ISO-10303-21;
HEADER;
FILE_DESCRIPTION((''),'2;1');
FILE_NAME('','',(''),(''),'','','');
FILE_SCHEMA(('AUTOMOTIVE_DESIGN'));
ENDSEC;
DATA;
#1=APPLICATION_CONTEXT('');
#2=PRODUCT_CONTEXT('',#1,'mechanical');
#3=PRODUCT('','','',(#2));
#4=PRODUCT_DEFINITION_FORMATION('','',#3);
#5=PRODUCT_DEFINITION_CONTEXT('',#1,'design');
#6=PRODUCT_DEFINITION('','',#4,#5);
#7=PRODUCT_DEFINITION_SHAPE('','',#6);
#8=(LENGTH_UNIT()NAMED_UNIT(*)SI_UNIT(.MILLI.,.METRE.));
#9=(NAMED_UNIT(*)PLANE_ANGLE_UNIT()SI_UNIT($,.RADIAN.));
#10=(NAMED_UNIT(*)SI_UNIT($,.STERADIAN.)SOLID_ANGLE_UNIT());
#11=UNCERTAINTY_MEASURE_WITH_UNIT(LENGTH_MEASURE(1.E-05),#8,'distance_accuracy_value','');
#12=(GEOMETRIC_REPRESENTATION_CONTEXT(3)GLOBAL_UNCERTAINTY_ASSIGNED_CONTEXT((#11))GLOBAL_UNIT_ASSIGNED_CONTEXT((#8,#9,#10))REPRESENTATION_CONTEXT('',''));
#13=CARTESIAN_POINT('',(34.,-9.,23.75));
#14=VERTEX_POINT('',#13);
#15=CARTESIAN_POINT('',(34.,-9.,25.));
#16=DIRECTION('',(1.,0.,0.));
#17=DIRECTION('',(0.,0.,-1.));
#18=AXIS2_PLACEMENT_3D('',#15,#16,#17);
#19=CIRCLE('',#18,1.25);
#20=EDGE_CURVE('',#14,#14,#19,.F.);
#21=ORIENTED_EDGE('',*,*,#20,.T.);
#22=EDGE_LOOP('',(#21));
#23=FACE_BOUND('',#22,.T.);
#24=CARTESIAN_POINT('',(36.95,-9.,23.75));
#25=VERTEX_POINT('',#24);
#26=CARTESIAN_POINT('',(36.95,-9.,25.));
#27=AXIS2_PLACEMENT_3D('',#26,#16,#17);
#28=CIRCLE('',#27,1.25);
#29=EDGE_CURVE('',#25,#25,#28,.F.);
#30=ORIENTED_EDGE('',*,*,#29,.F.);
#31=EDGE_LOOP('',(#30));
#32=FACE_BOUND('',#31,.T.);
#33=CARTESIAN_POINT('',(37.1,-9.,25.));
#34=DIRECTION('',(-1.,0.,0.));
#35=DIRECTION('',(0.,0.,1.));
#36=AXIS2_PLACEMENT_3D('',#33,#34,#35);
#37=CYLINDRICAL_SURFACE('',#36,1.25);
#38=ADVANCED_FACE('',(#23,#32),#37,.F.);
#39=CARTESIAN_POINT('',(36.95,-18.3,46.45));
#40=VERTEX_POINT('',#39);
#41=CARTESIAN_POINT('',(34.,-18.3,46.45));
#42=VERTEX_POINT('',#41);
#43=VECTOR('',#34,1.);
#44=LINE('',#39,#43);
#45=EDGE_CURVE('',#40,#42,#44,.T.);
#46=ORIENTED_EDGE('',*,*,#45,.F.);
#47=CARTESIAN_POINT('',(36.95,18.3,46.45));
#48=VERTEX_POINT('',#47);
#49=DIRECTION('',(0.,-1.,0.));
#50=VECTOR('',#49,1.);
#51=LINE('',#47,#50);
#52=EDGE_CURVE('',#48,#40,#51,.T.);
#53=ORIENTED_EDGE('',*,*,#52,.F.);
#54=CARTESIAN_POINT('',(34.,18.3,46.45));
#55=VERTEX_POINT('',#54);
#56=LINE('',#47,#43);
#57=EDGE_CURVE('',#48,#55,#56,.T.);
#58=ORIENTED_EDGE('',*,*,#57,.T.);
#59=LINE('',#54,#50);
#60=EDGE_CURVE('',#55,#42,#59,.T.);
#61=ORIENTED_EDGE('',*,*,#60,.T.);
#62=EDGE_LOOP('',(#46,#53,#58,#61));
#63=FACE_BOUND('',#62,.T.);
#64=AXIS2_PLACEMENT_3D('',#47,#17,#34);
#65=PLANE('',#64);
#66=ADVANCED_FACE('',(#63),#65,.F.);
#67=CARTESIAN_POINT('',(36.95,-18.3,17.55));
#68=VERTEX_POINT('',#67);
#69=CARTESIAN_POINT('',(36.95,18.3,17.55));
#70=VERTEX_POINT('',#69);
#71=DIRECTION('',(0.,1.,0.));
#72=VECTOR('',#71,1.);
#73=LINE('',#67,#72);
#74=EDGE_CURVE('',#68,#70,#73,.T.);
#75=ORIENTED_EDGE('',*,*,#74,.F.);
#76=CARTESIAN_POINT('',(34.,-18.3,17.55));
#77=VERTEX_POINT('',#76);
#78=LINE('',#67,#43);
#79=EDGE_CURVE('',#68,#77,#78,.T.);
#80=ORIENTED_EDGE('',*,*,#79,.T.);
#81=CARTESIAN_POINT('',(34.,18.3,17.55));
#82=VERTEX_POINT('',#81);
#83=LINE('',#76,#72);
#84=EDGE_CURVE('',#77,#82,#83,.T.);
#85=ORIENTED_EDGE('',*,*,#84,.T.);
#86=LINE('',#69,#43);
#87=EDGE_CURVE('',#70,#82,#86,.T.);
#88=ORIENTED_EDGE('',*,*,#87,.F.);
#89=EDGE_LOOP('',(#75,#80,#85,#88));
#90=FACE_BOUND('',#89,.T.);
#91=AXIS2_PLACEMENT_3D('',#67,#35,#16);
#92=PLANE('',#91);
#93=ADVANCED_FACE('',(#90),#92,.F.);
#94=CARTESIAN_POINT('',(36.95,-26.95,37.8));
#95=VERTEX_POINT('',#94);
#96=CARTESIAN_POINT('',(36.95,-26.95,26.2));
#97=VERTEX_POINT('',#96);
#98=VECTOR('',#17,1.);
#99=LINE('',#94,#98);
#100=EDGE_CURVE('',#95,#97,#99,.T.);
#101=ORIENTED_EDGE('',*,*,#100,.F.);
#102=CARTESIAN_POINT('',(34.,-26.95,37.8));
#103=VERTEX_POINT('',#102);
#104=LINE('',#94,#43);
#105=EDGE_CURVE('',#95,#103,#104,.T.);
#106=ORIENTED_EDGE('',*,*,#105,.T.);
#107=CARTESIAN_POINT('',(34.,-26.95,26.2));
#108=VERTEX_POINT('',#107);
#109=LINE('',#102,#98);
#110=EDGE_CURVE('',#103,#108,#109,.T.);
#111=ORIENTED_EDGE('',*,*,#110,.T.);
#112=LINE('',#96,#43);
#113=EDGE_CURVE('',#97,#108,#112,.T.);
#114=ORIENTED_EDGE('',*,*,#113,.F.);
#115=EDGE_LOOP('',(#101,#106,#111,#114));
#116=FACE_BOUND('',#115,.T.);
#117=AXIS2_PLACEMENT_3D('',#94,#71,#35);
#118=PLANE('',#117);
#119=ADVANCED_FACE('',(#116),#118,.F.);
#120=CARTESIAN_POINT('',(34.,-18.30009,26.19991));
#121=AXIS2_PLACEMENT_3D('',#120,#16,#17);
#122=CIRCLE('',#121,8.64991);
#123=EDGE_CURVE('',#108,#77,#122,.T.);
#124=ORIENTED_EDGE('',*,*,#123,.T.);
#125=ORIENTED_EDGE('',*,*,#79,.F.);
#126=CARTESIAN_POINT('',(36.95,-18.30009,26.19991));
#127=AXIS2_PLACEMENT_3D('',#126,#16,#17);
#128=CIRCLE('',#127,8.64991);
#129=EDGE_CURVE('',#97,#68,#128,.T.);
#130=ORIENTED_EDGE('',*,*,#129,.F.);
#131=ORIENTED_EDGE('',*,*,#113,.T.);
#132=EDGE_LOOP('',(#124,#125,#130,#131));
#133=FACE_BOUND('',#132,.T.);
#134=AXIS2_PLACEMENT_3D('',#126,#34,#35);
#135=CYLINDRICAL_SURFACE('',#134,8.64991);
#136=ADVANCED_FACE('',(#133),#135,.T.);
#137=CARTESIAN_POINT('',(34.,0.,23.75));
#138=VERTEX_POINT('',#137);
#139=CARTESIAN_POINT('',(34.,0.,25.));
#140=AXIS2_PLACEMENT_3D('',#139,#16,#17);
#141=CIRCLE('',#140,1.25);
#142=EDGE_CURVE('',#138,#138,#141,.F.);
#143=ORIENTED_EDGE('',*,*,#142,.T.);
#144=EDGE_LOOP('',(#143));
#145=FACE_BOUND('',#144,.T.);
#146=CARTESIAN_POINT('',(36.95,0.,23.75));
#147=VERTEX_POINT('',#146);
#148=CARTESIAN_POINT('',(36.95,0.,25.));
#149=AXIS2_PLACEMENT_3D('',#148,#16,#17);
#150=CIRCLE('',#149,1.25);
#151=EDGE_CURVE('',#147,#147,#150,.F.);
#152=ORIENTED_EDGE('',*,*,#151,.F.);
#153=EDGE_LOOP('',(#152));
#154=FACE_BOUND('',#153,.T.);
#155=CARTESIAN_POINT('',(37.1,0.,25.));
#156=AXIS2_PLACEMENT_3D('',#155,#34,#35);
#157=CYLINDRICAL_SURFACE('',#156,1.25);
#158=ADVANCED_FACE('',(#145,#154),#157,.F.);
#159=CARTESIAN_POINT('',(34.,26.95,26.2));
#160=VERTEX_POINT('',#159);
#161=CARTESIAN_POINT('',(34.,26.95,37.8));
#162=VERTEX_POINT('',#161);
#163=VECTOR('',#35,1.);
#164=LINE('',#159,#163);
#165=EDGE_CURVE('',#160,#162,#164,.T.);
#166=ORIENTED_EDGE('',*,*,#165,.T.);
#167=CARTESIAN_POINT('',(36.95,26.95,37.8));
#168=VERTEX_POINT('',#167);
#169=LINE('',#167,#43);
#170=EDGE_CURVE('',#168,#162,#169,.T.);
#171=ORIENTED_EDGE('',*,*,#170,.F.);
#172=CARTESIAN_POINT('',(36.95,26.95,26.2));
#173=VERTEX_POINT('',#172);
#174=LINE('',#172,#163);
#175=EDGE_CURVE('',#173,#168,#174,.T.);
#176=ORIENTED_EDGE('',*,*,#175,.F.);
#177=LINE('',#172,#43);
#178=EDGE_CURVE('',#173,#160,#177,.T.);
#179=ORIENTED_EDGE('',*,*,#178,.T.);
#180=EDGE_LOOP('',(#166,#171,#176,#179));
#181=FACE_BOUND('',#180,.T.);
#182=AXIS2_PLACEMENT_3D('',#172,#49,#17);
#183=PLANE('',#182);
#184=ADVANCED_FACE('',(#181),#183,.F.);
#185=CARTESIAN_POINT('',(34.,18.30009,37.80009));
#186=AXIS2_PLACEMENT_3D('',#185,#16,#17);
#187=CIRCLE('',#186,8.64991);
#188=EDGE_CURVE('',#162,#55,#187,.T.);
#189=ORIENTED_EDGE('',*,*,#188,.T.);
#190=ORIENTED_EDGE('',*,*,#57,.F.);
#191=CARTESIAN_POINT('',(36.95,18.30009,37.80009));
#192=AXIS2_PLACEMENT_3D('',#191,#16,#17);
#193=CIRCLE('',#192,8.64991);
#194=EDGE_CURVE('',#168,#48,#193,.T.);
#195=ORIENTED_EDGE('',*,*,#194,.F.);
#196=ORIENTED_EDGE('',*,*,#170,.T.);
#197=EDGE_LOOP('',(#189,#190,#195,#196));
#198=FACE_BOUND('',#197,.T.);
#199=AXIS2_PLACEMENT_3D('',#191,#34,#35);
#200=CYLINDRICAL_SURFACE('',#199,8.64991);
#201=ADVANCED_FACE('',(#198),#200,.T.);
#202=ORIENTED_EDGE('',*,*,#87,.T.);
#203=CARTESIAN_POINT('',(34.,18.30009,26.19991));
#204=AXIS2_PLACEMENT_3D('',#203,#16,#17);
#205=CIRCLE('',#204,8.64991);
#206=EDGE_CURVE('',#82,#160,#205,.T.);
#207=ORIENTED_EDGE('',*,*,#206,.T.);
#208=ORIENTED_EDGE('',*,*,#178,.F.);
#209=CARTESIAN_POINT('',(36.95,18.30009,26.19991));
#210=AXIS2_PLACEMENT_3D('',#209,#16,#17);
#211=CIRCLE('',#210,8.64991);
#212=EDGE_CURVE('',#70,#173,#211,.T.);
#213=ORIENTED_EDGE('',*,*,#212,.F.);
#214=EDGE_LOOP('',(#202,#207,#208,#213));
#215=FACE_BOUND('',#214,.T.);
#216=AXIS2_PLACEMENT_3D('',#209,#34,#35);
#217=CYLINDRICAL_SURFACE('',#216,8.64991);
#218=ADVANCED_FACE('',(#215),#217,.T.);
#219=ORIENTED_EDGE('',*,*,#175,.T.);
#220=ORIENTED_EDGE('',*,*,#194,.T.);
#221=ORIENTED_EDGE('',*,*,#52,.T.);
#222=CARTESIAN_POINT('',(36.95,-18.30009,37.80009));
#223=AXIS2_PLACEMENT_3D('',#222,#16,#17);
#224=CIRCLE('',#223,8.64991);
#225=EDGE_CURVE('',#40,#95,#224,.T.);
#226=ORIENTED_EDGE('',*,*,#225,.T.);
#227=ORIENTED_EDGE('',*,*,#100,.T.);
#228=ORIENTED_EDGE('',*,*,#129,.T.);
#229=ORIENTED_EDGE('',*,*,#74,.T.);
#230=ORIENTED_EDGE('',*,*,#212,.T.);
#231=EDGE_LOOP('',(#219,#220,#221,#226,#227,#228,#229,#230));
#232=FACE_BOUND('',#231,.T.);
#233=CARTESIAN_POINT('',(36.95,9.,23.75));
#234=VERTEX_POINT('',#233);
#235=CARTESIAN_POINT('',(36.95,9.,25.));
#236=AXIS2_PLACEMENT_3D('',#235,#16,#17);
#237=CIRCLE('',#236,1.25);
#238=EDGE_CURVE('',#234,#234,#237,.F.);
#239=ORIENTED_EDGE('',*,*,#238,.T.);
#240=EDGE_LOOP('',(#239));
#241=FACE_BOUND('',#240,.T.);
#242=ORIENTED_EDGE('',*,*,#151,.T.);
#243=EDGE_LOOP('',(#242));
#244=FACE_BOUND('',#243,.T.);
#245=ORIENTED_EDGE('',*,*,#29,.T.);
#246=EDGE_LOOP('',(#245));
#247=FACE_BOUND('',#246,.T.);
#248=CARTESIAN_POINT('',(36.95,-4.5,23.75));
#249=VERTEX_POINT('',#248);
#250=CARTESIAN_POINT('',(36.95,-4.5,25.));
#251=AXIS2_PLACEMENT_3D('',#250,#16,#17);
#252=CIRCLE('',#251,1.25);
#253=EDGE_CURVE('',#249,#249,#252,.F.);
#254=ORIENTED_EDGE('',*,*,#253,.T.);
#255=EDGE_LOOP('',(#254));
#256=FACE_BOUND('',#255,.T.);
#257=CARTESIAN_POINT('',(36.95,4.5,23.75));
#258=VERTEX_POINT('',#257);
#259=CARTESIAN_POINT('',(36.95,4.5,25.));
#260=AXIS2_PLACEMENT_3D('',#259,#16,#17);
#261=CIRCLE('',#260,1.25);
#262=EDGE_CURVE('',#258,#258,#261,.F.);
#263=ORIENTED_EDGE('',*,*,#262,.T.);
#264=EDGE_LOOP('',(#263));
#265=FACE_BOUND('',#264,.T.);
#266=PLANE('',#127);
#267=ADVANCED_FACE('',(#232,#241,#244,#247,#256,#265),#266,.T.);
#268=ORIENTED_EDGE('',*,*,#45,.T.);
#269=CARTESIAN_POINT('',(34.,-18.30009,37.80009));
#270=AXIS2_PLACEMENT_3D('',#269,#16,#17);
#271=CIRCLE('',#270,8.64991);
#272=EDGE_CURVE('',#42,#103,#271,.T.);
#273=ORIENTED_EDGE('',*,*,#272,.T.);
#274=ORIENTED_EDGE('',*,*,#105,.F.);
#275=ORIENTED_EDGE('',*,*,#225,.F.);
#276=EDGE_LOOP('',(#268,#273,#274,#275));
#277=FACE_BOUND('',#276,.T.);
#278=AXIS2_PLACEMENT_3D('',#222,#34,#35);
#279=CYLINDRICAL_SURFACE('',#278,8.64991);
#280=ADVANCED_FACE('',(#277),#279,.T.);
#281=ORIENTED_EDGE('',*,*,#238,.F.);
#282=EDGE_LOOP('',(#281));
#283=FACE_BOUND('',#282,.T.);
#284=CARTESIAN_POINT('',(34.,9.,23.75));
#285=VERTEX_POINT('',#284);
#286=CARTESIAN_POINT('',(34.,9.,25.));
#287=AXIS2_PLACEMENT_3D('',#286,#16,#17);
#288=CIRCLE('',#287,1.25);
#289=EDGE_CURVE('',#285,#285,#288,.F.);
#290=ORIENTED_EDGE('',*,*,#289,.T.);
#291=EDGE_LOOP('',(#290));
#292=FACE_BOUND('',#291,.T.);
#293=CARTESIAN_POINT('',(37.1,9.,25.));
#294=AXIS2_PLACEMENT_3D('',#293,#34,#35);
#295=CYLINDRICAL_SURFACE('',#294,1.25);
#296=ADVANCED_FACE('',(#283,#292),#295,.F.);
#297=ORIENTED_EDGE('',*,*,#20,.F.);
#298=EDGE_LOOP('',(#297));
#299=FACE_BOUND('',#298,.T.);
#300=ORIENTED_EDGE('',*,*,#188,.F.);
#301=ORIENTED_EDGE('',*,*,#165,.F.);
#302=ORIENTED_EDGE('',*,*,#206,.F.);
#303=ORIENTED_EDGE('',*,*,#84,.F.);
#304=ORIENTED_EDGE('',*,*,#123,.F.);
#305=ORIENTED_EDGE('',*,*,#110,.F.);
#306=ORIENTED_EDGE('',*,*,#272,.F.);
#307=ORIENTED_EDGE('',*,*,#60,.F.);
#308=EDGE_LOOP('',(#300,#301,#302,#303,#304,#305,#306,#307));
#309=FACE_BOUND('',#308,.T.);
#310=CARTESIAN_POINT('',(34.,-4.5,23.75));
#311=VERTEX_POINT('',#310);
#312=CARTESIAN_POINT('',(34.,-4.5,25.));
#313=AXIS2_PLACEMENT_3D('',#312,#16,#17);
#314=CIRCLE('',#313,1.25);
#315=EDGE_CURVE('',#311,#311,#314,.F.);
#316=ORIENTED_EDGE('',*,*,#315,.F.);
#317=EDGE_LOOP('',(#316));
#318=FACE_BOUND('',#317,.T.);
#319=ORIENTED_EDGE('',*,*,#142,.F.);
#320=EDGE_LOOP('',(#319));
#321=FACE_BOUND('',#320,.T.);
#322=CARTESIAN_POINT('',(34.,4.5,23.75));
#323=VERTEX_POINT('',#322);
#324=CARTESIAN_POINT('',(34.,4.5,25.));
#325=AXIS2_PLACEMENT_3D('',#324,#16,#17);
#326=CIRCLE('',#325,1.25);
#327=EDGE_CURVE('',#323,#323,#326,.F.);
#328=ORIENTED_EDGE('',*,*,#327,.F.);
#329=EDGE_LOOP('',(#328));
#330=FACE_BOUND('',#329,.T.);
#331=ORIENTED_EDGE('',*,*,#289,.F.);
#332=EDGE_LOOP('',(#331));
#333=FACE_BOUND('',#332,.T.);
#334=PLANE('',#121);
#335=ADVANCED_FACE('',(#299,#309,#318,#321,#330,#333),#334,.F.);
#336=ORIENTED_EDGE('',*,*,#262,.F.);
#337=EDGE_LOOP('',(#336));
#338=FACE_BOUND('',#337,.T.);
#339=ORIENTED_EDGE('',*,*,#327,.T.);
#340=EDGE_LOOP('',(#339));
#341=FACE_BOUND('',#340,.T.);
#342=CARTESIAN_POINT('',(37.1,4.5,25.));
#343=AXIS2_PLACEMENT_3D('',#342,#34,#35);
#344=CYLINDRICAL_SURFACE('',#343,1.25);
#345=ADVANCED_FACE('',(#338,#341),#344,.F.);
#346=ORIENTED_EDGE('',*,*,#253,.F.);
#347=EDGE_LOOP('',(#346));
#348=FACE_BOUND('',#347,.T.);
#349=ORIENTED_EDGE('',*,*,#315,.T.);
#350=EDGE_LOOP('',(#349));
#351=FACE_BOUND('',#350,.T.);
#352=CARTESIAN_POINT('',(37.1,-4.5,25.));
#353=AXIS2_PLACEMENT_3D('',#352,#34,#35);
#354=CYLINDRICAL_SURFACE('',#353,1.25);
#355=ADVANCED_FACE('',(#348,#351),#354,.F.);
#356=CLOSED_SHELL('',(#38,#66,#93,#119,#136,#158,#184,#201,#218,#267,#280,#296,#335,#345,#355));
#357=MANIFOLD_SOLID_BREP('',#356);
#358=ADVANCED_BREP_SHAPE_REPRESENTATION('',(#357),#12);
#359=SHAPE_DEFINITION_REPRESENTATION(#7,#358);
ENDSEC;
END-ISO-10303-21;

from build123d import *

# Parameters (mm, degrees)
BOSS_1_DEPTH = 2.95
S_HOLE2_R    = 1.25
HOLE_2_DEPTH = 3.2
S_HOLE3_R    = 1.25
HOLE_3_DEPTH = 3.2
S_HOLE4_R    = 1.25
HOLE_4_DEPTH = 3.2
S_HOLE5_R    = 1.25
HOLE_5_DEPTH = 3.2
S_HOLE6_R    = 1.25
HOLE_6_DEPTH = 3.2


with BuildPart() as part:
    # S_prism1 → Boss_1 (new body)
    with BuildSketch(Plane(origin=(34, 0, 0), x_dir=(0, 0, -1), z_dir=(1, 0, 0))):
        with BuildLine():
            Line((-17.55, -18.3), (-17.55, 18.3))
            ThreePointArc((-17.55, 18.3), (-20.0835, 24.4165), (-26.2, 26.95))
            Line((-26.2, 26.95), (-37.8, 26.95))
            ThreePointArc((-37.8, 26.95), (-43.9165, 24.4165), (-46.45, 18.3))
            Line((-46.45, 18.3), (-46.45, -18.3))
            ThreePointArc((-46.45, -18.3), (-43.9165, -24.4165), (-37.8, -26.95))
            Line((-37.8, -26.95), (-26.2, -26.95))
            ThreePointArc((-26.2, -26.95), (-20.0835, -24.4165), (-17.55, -18.3))
        make_face()
    extrude(amount=BOSS_1_DEPTH)

    # S_hole2 → Hole_2 (cut)
    with BuildSketch(Plane(origin=(33.9, 0, 0), x_dir=(0, 0, -1), z_dir=(1, 0, 0))):
        with Locations((-25, -9)):
            Circle(S_HOLE2_R)
    extrude(amount=HOLE_2_DEPTH, mode=Mode.SUBTRACT)

    # S_hole3 → Hole_3 (cut)
    with BuildSketch(Plane(origin=(33.9, 0, 0), x_dir=(0, 0, -1), z_dir=(1, 0, 0))):
        with Locations((-25, -4.5)):
            Circle(S_HOLE3_R)
    extrude(amount=HOLE_3_DEPTH, mode=Mode.SUBTRACT)

    # S_hole4 → Hole_4 (cut)
    with BuildSketch(Plane(origin=(33.9, 0, 0), x_dir=(0, 0, -1), z_dir=(1, 0, 0))):
        with Locations((-25, 0)):
            Circle(S_HOLE4_R)
    extrude(amount=HOLE_4_DEPTH, mode=Mode.SUBTRACT)

    # S_hole5 → Hole_5 (cut)
    with BuildSketch(Plane(origin=(33.9, 0, 0), x_dir=(0, 0, -1), z_dir=(1, 0, 0))):
        with Locations((-25, 4.5)):
            Circle(S_HOLE5_R)
    extrude(amount=HOLE_5_DEPTH, mode=Mode.SUBTRACT)

    # S_hole6 → Hole_6 (cut)
    with BuildSketch(Plane(origin=(33.9, 0, 0), x_dir=(0, 0, -1), z_dir=(1, 0, 0))):
        with Locations((-25, 9)):
            Circle(S_HOLE6_R)
    extrude(amount=HOLE_6_DEPTH, mode=Mode.SUBTRACT)


solid = part.part
